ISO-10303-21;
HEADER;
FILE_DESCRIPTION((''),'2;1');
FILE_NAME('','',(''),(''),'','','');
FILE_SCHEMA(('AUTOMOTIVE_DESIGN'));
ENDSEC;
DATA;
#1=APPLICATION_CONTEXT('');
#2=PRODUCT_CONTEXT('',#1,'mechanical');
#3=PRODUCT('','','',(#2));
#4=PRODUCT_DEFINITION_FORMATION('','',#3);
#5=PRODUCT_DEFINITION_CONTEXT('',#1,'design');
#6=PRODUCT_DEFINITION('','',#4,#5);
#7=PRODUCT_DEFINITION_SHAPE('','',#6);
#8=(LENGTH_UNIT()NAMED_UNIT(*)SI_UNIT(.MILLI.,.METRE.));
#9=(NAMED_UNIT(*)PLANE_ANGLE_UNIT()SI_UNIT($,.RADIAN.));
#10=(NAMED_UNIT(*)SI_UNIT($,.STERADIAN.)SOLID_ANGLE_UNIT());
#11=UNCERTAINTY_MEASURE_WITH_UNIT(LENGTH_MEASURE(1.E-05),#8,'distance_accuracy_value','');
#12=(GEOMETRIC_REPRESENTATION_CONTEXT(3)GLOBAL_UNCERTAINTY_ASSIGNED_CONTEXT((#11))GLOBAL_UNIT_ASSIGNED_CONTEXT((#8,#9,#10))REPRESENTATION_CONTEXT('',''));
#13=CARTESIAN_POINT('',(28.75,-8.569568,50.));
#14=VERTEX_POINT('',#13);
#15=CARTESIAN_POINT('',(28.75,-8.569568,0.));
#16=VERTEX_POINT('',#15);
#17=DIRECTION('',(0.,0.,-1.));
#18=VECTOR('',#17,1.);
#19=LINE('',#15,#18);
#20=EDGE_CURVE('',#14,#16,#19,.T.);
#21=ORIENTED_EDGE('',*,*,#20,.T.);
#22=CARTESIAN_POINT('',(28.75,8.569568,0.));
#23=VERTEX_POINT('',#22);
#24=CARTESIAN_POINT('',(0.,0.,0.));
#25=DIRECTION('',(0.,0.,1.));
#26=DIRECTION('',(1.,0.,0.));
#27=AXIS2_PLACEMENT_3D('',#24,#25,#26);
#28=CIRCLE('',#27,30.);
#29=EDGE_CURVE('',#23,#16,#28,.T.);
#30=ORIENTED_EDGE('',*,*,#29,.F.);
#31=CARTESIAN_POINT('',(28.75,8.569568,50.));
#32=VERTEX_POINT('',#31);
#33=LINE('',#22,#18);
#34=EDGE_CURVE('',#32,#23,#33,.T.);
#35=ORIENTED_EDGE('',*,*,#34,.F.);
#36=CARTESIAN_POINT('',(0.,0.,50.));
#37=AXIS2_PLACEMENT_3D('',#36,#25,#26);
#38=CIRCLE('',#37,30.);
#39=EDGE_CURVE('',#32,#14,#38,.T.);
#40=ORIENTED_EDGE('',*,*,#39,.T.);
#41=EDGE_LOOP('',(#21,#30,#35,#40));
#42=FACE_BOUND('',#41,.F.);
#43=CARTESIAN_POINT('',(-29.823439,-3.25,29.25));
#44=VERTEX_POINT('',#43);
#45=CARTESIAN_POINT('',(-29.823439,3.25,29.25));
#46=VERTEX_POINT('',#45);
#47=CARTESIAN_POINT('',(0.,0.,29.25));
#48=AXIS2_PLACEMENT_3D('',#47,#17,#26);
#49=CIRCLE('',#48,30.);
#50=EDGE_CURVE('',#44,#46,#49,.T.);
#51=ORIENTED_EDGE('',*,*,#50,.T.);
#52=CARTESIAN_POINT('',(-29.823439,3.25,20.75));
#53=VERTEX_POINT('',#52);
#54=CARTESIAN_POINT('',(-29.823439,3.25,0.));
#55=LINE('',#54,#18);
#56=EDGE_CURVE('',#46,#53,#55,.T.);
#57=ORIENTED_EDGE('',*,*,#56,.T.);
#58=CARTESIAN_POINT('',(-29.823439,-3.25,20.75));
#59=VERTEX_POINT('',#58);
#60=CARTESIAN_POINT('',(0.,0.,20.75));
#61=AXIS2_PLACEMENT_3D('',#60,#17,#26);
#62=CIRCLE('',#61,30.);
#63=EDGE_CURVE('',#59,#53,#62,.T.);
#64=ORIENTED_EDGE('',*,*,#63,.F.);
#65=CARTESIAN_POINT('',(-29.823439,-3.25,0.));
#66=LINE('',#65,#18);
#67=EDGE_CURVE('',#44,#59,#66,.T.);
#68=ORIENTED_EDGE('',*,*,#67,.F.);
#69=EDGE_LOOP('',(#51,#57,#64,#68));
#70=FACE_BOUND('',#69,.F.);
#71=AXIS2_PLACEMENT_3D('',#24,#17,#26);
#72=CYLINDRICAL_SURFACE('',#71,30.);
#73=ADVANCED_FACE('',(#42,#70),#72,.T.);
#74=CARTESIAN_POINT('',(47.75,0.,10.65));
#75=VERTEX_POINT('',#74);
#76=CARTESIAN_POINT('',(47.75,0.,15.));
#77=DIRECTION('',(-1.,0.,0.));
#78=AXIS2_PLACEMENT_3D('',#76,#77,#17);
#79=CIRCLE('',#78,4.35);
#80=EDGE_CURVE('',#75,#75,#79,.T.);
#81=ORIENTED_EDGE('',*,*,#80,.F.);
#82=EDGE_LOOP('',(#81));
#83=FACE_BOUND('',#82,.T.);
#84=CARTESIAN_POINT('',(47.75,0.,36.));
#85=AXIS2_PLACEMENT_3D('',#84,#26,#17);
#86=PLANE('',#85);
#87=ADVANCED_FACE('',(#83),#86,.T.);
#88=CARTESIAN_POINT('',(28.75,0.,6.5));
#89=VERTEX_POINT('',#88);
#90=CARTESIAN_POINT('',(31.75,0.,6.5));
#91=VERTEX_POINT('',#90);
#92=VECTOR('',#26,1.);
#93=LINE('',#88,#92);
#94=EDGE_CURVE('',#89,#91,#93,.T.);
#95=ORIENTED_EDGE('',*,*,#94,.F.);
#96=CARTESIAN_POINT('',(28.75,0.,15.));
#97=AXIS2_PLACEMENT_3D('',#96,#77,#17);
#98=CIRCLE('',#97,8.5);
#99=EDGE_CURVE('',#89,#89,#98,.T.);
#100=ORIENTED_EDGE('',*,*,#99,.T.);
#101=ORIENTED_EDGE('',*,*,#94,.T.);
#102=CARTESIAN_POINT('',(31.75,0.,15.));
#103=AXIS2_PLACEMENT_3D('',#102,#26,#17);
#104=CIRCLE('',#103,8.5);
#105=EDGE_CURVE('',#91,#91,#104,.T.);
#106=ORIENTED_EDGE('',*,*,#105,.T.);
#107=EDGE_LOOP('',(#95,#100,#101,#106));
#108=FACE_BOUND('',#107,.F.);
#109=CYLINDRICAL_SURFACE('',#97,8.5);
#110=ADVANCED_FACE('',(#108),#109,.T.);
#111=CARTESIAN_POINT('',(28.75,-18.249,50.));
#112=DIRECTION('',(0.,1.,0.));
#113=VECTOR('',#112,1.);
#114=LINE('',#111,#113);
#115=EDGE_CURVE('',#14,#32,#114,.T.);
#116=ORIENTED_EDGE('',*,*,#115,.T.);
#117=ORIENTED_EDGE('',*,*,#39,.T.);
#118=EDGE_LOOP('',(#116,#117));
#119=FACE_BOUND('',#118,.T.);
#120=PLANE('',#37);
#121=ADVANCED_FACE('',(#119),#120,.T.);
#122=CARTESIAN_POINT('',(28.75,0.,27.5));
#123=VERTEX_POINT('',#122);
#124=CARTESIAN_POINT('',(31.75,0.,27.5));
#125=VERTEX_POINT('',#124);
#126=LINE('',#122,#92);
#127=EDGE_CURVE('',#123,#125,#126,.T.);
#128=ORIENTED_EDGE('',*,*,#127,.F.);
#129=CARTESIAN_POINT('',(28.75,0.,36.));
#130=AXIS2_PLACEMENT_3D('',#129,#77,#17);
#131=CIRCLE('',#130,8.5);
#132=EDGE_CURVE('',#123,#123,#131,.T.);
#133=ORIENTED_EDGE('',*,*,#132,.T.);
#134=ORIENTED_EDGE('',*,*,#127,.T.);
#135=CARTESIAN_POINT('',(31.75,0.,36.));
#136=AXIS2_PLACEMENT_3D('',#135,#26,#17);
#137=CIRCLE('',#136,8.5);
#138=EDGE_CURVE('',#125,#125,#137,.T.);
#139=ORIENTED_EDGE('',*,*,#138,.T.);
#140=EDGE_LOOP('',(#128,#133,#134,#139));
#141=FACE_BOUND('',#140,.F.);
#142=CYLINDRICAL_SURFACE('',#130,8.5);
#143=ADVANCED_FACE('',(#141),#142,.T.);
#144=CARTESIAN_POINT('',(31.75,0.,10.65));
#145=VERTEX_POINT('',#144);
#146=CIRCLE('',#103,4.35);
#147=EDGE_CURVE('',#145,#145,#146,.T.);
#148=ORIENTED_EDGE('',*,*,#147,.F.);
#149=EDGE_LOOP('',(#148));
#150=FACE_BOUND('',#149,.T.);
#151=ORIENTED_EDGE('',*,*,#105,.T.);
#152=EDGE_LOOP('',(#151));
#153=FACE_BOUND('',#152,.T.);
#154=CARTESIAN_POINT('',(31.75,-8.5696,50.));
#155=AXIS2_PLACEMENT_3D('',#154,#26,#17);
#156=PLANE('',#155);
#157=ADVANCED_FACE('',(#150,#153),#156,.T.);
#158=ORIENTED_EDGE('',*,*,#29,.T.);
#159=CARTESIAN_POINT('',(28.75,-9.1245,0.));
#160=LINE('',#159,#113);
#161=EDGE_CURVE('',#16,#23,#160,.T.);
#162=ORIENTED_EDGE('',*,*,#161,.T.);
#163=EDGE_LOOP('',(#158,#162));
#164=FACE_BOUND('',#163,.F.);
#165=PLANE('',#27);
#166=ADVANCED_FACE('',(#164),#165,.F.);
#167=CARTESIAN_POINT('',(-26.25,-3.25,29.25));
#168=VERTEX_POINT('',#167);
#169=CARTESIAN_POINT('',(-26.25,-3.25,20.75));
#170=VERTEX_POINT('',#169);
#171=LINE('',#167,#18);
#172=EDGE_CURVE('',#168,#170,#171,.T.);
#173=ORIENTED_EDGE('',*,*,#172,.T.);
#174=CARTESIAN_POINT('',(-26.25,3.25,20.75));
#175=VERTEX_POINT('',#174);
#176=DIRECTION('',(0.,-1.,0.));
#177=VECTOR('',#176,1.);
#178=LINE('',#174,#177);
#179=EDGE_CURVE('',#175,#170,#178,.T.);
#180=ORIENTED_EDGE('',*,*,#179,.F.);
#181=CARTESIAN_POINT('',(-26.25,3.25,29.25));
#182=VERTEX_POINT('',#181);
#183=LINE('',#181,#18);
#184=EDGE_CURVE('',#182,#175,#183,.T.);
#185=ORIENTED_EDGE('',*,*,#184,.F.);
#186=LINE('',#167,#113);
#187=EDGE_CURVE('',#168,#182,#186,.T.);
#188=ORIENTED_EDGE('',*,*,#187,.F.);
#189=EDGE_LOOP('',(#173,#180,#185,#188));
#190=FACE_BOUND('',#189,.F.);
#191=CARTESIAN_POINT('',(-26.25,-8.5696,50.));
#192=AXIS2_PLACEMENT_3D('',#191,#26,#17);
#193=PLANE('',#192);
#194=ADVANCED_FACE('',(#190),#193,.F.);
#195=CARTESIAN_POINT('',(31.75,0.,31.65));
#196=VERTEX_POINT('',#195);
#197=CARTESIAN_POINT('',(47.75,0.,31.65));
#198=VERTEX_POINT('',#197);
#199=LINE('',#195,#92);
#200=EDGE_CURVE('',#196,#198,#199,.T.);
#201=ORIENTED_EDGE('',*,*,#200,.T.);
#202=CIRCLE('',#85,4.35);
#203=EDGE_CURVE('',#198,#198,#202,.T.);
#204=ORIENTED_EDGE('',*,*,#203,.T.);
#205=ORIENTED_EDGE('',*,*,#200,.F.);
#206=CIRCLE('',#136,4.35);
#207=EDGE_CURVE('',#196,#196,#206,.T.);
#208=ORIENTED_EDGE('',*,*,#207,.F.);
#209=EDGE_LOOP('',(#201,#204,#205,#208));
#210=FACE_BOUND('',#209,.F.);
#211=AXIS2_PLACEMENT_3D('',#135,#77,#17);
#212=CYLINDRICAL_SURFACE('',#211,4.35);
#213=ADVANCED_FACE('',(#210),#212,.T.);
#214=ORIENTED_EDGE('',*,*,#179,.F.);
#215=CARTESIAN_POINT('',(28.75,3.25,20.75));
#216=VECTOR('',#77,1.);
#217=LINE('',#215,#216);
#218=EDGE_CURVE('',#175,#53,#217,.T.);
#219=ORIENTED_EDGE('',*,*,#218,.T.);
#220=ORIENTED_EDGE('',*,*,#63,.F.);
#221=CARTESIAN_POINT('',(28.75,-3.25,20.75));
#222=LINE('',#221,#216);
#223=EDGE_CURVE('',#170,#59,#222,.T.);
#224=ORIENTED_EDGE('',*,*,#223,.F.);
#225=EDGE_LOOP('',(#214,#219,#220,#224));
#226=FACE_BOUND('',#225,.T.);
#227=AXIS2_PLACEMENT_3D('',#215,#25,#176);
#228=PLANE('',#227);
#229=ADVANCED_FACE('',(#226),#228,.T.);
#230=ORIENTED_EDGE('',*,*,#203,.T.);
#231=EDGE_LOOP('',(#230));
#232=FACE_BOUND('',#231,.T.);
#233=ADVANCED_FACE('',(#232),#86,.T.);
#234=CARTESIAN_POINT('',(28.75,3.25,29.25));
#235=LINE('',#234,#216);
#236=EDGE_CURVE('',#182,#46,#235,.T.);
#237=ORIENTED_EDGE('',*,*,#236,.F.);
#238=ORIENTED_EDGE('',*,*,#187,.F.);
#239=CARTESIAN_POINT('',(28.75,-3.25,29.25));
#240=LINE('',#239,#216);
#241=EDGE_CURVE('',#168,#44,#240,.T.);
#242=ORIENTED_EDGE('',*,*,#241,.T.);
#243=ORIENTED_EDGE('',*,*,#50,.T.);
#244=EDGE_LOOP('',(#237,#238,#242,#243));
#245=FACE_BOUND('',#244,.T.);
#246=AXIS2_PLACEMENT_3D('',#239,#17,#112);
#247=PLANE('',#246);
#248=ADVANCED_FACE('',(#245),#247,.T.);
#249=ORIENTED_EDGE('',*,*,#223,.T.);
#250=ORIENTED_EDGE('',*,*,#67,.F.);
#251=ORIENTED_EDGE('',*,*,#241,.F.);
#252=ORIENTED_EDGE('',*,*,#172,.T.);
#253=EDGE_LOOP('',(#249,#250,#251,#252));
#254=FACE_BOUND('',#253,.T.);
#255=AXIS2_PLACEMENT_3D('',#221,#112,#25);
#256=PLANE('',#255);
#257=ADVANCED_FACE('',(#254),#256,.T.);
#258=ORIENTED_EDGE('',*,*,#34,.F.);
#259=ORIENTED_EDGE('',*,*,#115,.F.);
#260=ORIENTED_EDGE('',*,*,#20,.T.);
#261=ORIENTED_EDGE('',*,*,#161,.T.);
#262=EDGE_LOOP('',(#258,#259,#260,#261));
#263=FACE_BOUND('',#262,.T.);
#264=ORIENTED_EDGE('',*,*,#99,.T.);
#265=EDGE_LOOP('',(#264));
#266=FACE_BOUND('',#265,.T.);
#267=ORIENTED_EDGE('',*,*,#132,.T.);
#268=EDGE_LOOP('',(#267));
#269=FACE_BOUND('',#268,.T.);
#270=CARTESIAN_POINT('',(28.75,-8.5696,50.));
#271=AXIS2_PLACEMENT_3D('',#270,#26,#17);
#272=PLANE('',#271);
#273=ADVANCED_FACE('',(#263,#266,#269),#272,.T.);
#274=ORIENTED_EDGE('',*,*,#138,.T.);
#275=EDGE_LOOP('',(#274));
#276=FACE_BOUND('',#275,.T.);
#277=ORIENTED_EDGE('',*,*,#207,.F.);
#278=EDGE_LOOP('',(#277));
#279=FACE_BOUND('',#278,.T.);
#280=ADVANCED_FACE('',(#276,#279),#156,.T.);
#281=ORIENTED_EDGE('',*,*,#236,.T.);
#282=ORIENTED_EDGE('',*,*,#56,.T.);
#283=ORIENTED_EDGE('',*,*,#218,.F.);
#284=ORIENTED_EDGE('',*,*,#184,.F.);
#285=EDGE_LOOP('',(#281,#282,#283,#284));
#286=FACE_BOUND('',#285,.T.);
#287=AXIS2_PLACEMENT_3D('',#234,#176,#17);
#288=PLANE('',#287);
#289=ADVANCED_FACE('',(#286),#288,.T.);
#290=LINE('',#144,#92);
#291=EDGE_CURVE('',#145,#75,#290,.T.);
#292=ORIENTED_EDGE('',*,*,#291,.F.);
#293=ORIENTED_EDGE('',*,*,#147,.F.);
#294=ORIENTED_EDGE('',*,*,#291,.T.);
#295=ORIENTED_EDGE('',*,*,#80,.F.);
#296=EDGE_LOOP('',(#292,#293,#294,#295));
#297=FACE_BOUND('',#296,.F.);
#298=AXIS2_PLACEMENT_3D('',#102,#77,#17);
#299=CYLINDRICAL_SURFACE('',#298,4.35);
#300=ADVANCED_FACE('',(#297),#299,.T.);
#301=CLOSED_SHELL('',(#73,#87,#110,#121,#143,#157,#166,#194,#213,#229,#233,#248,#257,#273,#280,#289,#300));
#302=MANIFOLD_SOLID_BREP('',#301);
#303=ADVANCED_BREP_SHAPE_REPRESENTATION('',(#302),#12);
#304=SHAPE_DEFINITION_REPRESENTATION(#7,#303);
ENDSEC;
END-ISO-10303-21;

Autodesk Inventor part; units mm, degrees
ref_plane "YZ Plane" through (0, 0, 0) normal (1, 0, 0) x (0, 1, 0)
ref_plane "XZ Plane" through (0, 0, 0) normal (0, 1, 0) x (-1, 0, 0)
ref_plane "XY Plane" through (0, 0, 0) normal (0, 0, 1) x (1, 0, 0)
sketch "Sketch1" plane through (0, 0, 0) normal (0, 0, 1) x (1, 0, 0)
  circle A0 centre (0, 0) radius 30
  dimension "d0" = 60
extrude "Extrusion1" add sketch "Sketch1" along normal blind 50
sketch "Sketch2" plane through (0, 0, 50) normal (0, 0, 1) x (1, 0, 0)
  circle A0 centre (0, 0) radius 30 construction
  line L0 (30, 0) -> (28.75, 0) construction
  line L1 (28.75, 16.5201) -> (34.9612, 16.5201)
  line L2 (34.9612, 16.5201) -> (34.9612, -18.249)
  line L3 (34.9612, -18.249) -> (28.75, -18.249)
  line L4 (28.75, -18.249) -> (28.75, 16.5201)
  dimension "d3" = 1.25
extrude "Extrusion2" cut sketch "Sketch2" against normal through all
sketch "Sketch3" plane through (28.75, -8.5696, 50) normal (1, 0, 0) x (0, 0, -1)
  line L0 (0, 38.5696) -> (0, -21.4304) construction
  line L1 (0, 8.5696) -> (14, 8.5696) construction
  circle A0 centre (14, 8.5696) radius 8.5
  point P0 (50, 8.5696)
  dimension "d6" = 14
  dimension "d7" = 17
extrude "Extrusion3" add sketch "Sketch3" along normal blind 3
sketch "Sketch4" plane through (28.75, -8.5696, 50) normal (1, 0, 0) x (0, 0, -1)
  line L0 (0, 0) -> (0, 17.1391) projected
  line L1 (0, 8.5696) -> (35, 8.5696) construction
  circle A0 centre (35, 8.5696) radius 8.5
  point P0 (50, 8.5696)
  dimension "d10" = 35
  dimension "d11" = 17
extrude "Extrusion4" add sketch "Sketch4" along normal blind 3
sketch "Sketch5" plane through (31.75, 0, 36) normal (1, 0, 0) x (0, 0, -1)
  circle A0 centre (0, 0) radius 8.5 projected
  circle A1 centre (0, 0) radius 4.35
  circle A2 centre (21, 0) radius 8.5 projected
  line L0 (12.5, 0) -> (21, 0)
  circle A3 centre (21, 0) radius 4.35
  point P0 (36, 0)
  dimension "d14" = 8.7
  dimension "d15" = 8.7
extrude "Extrusion5" add sketch "Sketch5" along normal blind 16 contours A1 | A3
sketch "Sketch6" plane through (28.75, -8.5696, 50) normal (1, 0, 0) x (0, 0, -1)
  line L0 (25, 8.5696) -> (29.25, 8.5696) construction
  line L1 (29.25, 8.5696) -> (29.25, 5.3196) construction
  line L2 (29.25, 5.3196) -> (20.75, 5.3196)
  line L3 (20.75, 5.3196) -> (20.75, 11.8196)
  line L4 (20.75, 11.8196) -> (29.25, 11.8196)
  line L5 (29.25, 11.8196) -> (29.25, 5.3196)
  point P0 (50, 8.5696)
  dimension "d18" = 4.25
  dimension "d19" = 3.25
  dimension "d20" = 8.5
  dimension "d21" = 6.5
extrude "Extrusion6" cut sketch "Sketch6" against normal through all
sketch "Sketch7" plane through (28.75, -8.5696, 50) normal (1, 0, 0) x (0, 0, -1)
  line L0 (29.25, 5.3196) -> (27.1459, 5.3196) projected
  line L1 (29.25, 5.3196) -> (20.75, 5.3196)
  line L2 (20.75, 5.3196) -> (20.75, 11.8196)
  line L3 (20.75, 11.8196) -> (29.25, 11.8196)
  line L4 (29.25, 11.8196) -> (29.25, 5.3196)
  point P0 (50, 8.5696)
  dimension "d24" = 8.5
  dimension "d25" = 6.5
extrude "Extrusion7" add sketch "Sketch7" against normal blind 55
properties part number "reservoir pump combo pump"
